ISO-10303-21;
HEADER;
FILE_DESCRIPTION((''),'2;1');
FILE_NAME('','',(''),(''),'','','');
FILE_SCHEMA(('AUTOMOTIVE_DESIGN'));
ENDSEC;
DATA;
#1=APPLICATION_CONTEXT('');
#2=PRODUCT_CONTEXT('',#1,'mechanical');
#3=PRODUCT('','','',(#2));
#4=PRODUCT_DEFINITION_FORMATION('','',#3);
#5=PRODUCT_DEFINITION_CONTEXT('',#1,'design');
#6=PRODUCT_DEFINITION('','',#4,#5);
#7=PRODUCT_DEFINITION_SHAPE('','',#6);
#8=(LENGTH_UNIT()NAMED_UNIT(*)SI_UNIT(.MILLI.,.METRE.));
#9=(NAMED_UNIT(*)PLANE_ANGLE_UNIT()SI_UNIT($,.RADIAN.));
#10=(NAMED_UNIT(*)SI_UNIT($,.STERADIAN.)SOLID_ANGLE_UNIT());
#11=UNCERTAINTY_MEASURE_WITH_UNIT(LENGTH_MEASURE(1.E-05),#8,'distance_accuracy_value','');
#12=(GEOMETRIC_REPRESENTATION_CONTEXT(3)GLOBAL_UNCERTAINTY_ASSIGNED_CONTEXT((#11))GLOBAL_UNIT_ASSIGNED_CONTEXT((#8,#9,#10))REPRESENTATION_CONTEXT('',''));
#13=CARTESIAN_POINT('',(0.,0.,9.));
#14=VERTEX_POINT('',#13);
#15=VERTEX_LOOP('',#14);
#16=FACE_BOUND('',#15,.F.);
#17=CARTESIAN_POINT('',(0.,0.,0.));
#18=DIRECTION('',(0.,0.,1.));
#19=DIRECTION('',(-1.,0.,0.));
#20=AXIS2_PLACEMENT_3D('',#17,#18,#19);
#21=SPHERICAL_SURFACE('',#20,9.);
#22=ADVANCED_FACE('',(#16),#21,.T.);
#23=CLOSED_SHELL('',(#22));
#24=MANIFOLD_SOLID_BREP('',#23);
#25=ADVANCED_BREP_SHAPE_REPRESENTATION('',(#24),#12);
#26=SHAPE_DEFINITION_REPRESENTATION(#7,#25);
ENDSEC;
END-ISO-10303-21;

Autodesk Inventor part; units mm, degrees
ref_plane "YZ Plane" through (0, 0, 0) normal (1, 0, 0) x (0, 1, 0)
ref_plane "XZ Plane" through (0, 0, 0) normal (0, 1, 0) x (-1, 0, 0)
ref_plane "XY Plane" through (0, 0, 0) normal (0, 0, 1) x (1, 0, 0)
sketch "Sketch1" plane through (0, 0, 0) normal (0, 1, 0) x (-1, 0, 0)
  arc A0 (0, -9) -> (0, 9) centre (0, 0) ccw
  line L0 (0, 9) -> (0, -9)
  dimension "d0" = 18
revolve "Revolution1" add sketch "Sketch1" angle 360 about axis through (0, 0, 9) along (0, 0, -1)
properties part number "caster_ball"
